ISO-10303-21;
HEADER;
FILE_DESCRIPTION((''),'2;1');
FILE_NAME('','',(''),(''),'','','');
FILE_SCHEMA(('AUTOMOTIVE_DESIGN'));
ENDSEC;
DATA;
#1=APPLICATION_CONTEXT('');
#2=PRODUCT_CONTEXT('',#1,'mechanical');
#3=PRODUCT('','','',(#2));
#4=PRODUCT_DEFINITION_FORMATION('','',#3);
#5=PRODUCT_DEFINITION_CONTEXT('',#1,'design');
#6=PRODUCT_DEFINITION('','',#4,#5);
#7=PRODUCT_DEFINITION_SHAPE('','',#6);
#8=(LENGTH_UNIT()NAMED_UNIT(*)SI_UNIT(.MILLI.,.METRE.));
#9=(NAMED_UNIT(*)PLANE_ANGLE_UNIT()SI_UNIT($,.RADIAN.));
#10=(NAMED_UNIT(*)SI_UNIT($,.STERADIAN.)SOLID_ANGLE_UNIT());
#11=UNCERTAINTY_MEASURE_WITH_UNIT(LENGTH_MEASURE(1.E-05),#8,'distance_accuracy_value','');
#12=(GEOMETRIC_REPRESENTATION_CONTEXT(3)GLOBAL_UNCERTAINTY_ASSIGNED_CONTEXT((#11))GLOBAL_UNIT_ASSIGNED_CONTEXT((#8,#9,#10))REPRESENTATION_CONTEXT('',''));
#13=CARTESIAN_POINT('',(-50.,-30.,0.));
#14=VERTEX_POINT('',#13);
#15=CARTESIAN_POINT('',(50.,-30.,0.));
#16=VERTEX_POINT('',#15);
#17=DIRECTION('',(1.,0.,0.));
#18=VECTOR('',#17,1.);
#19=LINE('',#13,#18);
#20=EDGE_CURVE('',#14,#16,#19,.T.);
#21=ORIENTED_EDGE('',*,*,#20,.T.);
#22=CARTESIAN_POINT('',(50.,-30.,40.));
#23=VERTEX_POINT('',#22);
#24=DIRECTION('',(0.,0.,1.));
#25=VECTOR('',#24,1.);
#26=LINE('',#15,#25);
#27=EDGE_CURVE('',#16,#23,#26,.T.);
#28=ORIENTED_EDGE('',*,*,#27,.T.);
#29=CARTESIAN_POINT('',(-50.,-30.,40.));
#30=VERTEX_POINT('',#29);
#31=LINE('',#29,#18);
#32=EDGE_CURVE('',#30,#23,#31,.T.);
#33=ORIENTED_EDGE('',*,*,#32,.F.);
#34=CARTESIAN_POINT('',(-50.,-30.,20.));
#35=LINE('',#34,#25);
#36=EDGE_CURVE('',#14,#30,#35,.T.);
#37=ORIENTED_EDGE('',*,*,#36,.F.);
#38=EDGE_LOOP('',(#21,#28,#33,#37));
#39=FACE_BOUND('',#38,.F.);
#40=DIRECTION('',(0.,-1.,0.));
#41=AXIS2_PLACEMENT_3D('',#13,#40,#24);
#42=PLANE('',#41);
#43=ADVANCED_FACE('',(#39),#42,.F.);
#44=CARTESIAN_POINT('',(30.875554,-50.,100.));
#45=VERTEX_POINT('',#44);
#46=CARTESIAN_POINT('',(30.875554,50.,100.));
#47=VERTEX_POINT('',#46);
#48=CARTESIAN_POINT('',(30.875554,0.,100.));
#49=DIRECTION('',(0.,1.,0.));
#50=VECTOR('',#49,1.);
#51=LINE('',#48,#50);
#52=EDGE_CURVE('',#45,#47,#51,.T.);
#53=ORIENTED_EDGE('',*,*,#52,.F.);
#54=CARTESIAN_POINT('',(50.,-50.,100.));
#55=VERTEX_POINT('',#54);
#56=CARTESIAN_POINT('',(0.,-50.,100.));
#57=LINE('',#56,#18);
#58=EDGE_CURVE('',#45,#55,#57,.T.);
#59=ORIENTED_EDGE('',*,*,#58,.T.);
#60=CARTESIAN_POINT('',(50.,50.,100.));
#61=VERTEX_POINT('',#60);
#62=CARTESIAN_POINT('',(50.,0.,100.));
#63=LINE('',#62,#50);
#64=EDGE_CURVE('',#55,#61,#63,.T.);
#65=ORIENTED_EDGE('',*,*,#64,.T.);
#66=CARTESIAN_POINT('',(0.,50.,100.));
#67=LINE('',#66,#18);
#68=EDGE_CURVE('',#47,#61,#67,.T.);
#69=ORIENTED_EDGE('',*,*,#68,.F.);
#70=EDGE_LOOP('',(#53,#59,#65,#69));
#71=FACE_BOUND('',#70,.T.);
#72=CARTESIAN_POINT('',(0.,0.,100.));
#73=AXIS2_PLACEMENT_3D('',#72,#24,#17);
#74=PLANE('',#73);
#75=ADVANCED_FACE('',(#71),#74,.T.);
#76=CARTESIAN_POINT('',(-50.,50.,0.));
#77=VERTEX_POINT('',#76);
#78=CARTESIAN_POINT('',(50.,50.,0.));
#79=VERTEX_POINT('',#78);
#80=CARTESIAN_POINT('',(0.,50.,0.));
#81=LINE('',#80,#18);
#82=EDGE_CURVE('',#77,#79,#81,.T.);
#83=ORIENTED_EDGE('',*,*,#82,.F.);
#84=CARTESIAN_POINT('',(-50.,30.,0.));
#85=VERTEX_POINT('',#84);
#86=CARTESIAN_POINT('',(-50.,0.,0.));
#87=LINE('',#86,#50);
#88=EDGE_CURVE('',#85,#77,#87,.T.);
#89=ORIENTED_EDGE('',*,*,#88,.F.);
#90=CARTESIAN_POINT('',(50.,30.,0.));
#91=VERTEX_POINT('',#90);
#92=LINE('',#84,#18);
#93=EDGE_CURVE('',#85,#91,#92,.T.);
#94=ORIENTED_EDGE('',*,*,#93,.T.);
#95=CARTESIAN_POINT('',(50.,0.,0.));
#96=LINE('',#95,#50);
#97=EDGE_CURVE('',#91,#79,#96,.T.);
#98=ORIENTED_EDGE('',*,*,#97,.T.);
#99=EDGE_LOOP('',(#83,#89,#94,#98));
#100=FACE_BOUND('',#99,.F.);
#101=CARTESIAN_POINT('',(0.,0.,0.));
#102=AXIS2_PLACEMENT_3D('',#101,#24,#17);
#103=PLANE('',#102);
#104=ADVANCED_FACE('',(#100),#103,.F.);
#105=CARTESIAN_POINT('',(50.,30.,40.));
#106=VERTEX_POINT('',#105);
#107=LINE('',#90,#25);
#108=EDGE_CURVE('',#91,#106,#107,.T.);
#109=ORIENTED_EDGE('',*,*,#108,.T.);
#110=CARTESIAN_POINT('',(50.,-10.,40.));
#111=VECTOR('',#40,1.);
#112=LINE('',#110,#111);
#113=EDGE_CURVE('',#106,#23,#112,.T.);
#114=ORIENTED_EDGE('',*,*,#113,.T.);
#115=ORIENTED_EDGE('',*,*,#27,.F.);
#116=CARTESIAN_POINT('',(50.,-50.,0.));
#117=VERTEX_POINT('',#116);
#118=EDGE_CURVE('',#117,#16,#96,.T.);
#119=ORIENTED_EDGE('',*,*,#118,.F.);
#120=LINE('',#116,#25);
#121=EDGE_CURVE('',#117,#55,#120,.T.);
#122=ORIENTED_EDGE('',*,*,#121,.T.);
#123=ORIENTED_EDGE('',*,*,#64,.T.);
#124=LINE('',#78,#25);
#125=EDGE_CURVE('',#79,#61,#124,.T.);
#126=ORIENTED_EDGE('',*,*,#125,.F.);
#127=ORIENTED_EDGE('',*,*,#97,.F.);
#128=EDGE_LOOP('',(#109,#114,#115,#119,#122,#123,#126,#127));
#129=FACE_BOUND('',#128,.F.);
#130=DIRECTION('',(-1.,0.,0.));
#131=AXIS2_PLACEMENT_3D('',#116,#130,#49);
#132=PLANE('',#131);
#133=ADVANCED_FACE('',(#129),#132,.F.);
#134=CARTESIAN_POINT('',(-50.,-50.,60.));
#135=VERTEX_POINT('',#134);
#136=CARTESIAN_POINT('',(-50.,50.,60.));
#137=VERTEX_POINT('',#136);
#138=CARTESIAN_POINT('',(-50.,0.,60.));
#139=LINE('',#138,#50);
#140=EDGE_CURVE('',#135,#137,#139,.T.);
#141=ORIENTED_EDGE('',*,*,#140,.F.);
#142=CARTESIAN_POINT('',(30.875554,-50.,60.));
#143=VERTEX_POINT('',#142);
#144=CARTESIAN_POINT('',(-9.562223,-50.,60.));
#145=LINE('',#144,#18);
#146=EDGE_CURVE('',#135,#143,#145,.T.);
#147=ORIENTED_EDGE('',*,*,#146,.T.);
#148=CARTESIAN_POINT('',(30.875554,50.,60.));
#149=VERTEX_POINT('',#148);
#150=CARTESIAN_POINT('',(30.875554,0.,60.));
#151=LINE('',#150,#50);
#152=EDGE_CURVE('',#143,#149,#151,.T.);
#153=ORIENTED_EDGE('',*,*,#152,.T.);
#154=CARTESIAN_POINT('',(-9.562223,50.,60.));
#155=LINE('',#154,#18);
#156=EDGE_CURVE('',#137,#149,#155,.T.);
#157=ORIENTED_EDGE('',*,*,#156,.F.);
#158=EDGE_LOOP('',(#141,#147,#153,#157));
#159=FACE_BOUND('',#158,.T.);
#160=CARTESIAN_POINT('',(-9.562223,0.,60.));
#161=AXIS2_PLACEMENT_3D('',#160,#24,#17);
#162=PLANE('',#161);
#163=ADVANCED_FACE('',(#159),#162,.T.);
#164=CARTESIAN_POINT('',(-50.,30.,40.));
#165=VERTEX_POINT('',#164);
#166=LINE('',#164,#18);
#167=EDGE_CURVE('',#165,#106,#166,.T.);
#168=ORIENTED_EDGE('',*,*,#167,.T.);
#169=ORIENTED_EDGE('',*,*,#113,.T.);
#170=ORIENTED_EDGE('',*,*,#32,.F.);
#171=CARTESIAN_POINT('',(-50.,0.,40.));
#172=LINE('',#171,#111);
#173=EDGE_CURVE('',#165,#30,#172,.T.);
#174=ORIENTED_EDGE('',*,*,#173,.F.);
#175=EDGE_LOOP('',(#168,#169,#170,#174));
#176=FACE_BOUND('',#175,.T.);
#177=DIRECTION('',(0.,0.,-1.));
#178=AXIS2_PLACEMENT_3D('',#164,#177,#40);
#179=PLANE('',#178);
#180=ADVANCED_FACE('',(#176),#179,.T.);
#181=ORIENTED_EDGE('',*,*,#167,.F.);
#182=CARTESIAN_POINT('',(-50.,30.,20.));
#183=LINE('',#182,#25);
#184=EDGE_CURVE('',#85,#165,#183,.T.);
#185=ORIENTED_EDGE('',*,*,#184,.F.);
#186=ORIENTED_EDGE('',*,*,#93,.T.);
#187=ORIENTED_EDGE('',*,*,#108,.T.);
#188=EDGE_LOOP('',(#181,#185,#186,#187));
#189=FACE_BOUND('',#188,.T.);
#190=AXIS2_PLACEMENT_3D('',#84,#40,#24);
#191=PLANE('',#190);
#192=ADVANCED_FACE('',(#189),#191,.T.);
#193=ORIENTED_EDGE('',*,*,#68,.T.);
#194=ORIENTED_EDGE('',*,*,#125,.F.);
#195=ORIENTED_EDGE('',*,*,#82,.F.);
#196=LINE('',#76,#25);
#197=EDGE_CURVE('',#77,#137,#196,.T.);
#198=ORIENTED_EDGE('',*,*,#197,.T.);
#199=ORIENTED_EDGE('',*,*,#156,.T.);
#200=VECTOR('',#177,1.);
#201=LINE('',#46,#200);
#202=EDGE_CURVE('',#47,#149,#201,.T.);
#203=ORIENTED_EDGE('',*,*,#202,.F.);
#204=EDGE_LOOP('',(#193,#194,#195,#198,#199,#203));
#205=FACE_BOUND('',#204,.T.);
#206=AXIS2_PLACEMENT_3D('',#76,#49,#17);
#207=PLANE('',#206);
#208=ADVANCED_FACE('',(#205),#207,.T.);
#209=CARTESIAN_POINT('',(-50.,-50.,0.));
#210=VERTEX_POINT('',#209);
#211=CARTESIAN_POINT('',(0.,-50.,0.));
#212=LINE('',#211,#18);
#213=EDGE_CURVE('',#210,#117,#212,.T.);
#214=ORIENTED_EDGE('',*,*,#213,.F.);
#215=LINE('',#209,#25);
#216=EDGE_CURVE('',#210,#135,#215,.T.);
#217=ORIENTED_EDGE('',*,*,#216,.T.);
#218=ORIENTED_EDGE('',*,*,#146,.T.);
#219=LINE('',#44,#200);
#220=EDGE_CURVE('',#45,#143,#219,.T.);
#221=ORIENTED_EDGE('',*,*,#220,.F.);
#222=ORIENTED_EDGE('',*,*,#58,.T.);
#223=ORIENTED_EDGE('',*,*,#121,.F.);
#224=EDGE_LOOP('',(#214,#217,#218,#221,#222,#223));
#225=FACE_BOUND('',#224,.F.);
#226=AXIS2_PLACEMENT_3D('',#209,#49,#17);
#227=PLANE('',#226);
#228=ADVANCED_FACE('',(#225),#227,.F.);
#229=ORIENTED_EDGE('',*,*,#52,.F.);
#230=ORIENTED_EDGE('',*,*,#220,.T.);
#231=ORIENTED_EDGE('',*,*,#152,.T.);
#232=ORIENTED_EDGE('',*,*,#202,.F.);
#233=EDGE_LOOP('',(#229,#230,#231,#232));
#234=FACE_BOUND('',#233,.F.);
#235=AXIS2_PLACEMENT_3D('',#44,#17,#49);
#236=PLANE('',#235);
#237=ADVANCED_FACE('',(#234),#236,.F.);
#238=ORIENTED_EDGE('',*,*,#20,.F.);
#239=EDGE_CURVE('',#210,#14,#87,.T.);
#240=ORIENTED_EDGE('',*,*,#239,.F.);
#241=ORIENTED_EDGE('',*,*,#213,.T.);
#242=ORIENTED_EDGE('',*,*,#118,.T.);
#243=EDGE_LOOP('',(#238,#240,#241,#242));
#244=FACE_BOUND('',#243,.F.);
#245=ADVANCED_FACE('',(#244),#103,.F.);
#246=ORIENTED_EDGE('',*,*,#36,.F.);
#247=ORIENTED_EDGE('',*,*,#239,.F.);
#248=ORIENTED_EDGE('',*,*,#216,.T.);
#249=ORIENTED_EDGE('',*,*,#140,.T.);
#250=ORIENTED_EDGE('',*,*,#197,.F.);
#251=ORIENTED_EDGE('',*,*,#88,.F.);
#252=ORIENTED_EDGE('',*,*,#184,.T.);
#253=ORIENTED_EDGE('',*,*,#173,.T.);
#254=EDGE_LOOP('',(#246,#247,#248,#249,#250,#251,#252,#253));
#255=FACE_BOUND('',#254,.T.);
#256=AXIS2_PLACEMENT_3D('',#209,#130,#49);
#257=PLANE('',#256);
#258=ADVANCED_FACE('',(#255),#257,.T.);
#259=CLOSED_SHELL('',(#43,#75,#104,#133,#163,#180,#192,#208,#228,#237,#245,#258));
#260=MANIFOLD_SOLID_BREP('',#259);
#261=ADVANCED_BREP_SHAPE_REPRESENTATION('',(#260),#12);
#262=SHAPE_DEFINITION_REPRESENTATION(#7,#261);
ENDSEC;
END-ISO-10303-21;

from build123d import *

# Parameters (mm, degrees)
F0_W     = 100
F0_H     = 100
F1_DEPTH = 100
F2_W     = 80.875554
F2_H     = 100
F3_DEPTH = 40
F4_W     = 60
F4_H     = 40
F5_DEPTH = 100.001


with BuildPart() as f1:
    # F0 (on Top) → F1 (new body)
    with BuildSketch(Plane.XY):
        Rectangle(F0_W, F0_H)
    extrude(amount=F1_DEPTH)

    # F2 (on face) → F3 (cut)
    with BuildSketch(Plane.XY.offset(100)):
        with Locations((-9.562223, 0)):
            Rectangle(F2_W, F2_H)
    extrude(amount=-F3_DEPTH, mode=Mode.SUBTRACT)

    # F4 (on face) → F5 (cut, through all)
    with BuildSketch(Plane(origin=(-50, 0, 0), x_dir=(0, -1, 0), z_dir=(-1, 0, 0))):
        with Locations((0, 20)):
            Rectangle(F4_W, F4_H)
    extrude(amount=-F5_DEPTH, mode=Mode.SUBTRACT)


solid = f1.part
